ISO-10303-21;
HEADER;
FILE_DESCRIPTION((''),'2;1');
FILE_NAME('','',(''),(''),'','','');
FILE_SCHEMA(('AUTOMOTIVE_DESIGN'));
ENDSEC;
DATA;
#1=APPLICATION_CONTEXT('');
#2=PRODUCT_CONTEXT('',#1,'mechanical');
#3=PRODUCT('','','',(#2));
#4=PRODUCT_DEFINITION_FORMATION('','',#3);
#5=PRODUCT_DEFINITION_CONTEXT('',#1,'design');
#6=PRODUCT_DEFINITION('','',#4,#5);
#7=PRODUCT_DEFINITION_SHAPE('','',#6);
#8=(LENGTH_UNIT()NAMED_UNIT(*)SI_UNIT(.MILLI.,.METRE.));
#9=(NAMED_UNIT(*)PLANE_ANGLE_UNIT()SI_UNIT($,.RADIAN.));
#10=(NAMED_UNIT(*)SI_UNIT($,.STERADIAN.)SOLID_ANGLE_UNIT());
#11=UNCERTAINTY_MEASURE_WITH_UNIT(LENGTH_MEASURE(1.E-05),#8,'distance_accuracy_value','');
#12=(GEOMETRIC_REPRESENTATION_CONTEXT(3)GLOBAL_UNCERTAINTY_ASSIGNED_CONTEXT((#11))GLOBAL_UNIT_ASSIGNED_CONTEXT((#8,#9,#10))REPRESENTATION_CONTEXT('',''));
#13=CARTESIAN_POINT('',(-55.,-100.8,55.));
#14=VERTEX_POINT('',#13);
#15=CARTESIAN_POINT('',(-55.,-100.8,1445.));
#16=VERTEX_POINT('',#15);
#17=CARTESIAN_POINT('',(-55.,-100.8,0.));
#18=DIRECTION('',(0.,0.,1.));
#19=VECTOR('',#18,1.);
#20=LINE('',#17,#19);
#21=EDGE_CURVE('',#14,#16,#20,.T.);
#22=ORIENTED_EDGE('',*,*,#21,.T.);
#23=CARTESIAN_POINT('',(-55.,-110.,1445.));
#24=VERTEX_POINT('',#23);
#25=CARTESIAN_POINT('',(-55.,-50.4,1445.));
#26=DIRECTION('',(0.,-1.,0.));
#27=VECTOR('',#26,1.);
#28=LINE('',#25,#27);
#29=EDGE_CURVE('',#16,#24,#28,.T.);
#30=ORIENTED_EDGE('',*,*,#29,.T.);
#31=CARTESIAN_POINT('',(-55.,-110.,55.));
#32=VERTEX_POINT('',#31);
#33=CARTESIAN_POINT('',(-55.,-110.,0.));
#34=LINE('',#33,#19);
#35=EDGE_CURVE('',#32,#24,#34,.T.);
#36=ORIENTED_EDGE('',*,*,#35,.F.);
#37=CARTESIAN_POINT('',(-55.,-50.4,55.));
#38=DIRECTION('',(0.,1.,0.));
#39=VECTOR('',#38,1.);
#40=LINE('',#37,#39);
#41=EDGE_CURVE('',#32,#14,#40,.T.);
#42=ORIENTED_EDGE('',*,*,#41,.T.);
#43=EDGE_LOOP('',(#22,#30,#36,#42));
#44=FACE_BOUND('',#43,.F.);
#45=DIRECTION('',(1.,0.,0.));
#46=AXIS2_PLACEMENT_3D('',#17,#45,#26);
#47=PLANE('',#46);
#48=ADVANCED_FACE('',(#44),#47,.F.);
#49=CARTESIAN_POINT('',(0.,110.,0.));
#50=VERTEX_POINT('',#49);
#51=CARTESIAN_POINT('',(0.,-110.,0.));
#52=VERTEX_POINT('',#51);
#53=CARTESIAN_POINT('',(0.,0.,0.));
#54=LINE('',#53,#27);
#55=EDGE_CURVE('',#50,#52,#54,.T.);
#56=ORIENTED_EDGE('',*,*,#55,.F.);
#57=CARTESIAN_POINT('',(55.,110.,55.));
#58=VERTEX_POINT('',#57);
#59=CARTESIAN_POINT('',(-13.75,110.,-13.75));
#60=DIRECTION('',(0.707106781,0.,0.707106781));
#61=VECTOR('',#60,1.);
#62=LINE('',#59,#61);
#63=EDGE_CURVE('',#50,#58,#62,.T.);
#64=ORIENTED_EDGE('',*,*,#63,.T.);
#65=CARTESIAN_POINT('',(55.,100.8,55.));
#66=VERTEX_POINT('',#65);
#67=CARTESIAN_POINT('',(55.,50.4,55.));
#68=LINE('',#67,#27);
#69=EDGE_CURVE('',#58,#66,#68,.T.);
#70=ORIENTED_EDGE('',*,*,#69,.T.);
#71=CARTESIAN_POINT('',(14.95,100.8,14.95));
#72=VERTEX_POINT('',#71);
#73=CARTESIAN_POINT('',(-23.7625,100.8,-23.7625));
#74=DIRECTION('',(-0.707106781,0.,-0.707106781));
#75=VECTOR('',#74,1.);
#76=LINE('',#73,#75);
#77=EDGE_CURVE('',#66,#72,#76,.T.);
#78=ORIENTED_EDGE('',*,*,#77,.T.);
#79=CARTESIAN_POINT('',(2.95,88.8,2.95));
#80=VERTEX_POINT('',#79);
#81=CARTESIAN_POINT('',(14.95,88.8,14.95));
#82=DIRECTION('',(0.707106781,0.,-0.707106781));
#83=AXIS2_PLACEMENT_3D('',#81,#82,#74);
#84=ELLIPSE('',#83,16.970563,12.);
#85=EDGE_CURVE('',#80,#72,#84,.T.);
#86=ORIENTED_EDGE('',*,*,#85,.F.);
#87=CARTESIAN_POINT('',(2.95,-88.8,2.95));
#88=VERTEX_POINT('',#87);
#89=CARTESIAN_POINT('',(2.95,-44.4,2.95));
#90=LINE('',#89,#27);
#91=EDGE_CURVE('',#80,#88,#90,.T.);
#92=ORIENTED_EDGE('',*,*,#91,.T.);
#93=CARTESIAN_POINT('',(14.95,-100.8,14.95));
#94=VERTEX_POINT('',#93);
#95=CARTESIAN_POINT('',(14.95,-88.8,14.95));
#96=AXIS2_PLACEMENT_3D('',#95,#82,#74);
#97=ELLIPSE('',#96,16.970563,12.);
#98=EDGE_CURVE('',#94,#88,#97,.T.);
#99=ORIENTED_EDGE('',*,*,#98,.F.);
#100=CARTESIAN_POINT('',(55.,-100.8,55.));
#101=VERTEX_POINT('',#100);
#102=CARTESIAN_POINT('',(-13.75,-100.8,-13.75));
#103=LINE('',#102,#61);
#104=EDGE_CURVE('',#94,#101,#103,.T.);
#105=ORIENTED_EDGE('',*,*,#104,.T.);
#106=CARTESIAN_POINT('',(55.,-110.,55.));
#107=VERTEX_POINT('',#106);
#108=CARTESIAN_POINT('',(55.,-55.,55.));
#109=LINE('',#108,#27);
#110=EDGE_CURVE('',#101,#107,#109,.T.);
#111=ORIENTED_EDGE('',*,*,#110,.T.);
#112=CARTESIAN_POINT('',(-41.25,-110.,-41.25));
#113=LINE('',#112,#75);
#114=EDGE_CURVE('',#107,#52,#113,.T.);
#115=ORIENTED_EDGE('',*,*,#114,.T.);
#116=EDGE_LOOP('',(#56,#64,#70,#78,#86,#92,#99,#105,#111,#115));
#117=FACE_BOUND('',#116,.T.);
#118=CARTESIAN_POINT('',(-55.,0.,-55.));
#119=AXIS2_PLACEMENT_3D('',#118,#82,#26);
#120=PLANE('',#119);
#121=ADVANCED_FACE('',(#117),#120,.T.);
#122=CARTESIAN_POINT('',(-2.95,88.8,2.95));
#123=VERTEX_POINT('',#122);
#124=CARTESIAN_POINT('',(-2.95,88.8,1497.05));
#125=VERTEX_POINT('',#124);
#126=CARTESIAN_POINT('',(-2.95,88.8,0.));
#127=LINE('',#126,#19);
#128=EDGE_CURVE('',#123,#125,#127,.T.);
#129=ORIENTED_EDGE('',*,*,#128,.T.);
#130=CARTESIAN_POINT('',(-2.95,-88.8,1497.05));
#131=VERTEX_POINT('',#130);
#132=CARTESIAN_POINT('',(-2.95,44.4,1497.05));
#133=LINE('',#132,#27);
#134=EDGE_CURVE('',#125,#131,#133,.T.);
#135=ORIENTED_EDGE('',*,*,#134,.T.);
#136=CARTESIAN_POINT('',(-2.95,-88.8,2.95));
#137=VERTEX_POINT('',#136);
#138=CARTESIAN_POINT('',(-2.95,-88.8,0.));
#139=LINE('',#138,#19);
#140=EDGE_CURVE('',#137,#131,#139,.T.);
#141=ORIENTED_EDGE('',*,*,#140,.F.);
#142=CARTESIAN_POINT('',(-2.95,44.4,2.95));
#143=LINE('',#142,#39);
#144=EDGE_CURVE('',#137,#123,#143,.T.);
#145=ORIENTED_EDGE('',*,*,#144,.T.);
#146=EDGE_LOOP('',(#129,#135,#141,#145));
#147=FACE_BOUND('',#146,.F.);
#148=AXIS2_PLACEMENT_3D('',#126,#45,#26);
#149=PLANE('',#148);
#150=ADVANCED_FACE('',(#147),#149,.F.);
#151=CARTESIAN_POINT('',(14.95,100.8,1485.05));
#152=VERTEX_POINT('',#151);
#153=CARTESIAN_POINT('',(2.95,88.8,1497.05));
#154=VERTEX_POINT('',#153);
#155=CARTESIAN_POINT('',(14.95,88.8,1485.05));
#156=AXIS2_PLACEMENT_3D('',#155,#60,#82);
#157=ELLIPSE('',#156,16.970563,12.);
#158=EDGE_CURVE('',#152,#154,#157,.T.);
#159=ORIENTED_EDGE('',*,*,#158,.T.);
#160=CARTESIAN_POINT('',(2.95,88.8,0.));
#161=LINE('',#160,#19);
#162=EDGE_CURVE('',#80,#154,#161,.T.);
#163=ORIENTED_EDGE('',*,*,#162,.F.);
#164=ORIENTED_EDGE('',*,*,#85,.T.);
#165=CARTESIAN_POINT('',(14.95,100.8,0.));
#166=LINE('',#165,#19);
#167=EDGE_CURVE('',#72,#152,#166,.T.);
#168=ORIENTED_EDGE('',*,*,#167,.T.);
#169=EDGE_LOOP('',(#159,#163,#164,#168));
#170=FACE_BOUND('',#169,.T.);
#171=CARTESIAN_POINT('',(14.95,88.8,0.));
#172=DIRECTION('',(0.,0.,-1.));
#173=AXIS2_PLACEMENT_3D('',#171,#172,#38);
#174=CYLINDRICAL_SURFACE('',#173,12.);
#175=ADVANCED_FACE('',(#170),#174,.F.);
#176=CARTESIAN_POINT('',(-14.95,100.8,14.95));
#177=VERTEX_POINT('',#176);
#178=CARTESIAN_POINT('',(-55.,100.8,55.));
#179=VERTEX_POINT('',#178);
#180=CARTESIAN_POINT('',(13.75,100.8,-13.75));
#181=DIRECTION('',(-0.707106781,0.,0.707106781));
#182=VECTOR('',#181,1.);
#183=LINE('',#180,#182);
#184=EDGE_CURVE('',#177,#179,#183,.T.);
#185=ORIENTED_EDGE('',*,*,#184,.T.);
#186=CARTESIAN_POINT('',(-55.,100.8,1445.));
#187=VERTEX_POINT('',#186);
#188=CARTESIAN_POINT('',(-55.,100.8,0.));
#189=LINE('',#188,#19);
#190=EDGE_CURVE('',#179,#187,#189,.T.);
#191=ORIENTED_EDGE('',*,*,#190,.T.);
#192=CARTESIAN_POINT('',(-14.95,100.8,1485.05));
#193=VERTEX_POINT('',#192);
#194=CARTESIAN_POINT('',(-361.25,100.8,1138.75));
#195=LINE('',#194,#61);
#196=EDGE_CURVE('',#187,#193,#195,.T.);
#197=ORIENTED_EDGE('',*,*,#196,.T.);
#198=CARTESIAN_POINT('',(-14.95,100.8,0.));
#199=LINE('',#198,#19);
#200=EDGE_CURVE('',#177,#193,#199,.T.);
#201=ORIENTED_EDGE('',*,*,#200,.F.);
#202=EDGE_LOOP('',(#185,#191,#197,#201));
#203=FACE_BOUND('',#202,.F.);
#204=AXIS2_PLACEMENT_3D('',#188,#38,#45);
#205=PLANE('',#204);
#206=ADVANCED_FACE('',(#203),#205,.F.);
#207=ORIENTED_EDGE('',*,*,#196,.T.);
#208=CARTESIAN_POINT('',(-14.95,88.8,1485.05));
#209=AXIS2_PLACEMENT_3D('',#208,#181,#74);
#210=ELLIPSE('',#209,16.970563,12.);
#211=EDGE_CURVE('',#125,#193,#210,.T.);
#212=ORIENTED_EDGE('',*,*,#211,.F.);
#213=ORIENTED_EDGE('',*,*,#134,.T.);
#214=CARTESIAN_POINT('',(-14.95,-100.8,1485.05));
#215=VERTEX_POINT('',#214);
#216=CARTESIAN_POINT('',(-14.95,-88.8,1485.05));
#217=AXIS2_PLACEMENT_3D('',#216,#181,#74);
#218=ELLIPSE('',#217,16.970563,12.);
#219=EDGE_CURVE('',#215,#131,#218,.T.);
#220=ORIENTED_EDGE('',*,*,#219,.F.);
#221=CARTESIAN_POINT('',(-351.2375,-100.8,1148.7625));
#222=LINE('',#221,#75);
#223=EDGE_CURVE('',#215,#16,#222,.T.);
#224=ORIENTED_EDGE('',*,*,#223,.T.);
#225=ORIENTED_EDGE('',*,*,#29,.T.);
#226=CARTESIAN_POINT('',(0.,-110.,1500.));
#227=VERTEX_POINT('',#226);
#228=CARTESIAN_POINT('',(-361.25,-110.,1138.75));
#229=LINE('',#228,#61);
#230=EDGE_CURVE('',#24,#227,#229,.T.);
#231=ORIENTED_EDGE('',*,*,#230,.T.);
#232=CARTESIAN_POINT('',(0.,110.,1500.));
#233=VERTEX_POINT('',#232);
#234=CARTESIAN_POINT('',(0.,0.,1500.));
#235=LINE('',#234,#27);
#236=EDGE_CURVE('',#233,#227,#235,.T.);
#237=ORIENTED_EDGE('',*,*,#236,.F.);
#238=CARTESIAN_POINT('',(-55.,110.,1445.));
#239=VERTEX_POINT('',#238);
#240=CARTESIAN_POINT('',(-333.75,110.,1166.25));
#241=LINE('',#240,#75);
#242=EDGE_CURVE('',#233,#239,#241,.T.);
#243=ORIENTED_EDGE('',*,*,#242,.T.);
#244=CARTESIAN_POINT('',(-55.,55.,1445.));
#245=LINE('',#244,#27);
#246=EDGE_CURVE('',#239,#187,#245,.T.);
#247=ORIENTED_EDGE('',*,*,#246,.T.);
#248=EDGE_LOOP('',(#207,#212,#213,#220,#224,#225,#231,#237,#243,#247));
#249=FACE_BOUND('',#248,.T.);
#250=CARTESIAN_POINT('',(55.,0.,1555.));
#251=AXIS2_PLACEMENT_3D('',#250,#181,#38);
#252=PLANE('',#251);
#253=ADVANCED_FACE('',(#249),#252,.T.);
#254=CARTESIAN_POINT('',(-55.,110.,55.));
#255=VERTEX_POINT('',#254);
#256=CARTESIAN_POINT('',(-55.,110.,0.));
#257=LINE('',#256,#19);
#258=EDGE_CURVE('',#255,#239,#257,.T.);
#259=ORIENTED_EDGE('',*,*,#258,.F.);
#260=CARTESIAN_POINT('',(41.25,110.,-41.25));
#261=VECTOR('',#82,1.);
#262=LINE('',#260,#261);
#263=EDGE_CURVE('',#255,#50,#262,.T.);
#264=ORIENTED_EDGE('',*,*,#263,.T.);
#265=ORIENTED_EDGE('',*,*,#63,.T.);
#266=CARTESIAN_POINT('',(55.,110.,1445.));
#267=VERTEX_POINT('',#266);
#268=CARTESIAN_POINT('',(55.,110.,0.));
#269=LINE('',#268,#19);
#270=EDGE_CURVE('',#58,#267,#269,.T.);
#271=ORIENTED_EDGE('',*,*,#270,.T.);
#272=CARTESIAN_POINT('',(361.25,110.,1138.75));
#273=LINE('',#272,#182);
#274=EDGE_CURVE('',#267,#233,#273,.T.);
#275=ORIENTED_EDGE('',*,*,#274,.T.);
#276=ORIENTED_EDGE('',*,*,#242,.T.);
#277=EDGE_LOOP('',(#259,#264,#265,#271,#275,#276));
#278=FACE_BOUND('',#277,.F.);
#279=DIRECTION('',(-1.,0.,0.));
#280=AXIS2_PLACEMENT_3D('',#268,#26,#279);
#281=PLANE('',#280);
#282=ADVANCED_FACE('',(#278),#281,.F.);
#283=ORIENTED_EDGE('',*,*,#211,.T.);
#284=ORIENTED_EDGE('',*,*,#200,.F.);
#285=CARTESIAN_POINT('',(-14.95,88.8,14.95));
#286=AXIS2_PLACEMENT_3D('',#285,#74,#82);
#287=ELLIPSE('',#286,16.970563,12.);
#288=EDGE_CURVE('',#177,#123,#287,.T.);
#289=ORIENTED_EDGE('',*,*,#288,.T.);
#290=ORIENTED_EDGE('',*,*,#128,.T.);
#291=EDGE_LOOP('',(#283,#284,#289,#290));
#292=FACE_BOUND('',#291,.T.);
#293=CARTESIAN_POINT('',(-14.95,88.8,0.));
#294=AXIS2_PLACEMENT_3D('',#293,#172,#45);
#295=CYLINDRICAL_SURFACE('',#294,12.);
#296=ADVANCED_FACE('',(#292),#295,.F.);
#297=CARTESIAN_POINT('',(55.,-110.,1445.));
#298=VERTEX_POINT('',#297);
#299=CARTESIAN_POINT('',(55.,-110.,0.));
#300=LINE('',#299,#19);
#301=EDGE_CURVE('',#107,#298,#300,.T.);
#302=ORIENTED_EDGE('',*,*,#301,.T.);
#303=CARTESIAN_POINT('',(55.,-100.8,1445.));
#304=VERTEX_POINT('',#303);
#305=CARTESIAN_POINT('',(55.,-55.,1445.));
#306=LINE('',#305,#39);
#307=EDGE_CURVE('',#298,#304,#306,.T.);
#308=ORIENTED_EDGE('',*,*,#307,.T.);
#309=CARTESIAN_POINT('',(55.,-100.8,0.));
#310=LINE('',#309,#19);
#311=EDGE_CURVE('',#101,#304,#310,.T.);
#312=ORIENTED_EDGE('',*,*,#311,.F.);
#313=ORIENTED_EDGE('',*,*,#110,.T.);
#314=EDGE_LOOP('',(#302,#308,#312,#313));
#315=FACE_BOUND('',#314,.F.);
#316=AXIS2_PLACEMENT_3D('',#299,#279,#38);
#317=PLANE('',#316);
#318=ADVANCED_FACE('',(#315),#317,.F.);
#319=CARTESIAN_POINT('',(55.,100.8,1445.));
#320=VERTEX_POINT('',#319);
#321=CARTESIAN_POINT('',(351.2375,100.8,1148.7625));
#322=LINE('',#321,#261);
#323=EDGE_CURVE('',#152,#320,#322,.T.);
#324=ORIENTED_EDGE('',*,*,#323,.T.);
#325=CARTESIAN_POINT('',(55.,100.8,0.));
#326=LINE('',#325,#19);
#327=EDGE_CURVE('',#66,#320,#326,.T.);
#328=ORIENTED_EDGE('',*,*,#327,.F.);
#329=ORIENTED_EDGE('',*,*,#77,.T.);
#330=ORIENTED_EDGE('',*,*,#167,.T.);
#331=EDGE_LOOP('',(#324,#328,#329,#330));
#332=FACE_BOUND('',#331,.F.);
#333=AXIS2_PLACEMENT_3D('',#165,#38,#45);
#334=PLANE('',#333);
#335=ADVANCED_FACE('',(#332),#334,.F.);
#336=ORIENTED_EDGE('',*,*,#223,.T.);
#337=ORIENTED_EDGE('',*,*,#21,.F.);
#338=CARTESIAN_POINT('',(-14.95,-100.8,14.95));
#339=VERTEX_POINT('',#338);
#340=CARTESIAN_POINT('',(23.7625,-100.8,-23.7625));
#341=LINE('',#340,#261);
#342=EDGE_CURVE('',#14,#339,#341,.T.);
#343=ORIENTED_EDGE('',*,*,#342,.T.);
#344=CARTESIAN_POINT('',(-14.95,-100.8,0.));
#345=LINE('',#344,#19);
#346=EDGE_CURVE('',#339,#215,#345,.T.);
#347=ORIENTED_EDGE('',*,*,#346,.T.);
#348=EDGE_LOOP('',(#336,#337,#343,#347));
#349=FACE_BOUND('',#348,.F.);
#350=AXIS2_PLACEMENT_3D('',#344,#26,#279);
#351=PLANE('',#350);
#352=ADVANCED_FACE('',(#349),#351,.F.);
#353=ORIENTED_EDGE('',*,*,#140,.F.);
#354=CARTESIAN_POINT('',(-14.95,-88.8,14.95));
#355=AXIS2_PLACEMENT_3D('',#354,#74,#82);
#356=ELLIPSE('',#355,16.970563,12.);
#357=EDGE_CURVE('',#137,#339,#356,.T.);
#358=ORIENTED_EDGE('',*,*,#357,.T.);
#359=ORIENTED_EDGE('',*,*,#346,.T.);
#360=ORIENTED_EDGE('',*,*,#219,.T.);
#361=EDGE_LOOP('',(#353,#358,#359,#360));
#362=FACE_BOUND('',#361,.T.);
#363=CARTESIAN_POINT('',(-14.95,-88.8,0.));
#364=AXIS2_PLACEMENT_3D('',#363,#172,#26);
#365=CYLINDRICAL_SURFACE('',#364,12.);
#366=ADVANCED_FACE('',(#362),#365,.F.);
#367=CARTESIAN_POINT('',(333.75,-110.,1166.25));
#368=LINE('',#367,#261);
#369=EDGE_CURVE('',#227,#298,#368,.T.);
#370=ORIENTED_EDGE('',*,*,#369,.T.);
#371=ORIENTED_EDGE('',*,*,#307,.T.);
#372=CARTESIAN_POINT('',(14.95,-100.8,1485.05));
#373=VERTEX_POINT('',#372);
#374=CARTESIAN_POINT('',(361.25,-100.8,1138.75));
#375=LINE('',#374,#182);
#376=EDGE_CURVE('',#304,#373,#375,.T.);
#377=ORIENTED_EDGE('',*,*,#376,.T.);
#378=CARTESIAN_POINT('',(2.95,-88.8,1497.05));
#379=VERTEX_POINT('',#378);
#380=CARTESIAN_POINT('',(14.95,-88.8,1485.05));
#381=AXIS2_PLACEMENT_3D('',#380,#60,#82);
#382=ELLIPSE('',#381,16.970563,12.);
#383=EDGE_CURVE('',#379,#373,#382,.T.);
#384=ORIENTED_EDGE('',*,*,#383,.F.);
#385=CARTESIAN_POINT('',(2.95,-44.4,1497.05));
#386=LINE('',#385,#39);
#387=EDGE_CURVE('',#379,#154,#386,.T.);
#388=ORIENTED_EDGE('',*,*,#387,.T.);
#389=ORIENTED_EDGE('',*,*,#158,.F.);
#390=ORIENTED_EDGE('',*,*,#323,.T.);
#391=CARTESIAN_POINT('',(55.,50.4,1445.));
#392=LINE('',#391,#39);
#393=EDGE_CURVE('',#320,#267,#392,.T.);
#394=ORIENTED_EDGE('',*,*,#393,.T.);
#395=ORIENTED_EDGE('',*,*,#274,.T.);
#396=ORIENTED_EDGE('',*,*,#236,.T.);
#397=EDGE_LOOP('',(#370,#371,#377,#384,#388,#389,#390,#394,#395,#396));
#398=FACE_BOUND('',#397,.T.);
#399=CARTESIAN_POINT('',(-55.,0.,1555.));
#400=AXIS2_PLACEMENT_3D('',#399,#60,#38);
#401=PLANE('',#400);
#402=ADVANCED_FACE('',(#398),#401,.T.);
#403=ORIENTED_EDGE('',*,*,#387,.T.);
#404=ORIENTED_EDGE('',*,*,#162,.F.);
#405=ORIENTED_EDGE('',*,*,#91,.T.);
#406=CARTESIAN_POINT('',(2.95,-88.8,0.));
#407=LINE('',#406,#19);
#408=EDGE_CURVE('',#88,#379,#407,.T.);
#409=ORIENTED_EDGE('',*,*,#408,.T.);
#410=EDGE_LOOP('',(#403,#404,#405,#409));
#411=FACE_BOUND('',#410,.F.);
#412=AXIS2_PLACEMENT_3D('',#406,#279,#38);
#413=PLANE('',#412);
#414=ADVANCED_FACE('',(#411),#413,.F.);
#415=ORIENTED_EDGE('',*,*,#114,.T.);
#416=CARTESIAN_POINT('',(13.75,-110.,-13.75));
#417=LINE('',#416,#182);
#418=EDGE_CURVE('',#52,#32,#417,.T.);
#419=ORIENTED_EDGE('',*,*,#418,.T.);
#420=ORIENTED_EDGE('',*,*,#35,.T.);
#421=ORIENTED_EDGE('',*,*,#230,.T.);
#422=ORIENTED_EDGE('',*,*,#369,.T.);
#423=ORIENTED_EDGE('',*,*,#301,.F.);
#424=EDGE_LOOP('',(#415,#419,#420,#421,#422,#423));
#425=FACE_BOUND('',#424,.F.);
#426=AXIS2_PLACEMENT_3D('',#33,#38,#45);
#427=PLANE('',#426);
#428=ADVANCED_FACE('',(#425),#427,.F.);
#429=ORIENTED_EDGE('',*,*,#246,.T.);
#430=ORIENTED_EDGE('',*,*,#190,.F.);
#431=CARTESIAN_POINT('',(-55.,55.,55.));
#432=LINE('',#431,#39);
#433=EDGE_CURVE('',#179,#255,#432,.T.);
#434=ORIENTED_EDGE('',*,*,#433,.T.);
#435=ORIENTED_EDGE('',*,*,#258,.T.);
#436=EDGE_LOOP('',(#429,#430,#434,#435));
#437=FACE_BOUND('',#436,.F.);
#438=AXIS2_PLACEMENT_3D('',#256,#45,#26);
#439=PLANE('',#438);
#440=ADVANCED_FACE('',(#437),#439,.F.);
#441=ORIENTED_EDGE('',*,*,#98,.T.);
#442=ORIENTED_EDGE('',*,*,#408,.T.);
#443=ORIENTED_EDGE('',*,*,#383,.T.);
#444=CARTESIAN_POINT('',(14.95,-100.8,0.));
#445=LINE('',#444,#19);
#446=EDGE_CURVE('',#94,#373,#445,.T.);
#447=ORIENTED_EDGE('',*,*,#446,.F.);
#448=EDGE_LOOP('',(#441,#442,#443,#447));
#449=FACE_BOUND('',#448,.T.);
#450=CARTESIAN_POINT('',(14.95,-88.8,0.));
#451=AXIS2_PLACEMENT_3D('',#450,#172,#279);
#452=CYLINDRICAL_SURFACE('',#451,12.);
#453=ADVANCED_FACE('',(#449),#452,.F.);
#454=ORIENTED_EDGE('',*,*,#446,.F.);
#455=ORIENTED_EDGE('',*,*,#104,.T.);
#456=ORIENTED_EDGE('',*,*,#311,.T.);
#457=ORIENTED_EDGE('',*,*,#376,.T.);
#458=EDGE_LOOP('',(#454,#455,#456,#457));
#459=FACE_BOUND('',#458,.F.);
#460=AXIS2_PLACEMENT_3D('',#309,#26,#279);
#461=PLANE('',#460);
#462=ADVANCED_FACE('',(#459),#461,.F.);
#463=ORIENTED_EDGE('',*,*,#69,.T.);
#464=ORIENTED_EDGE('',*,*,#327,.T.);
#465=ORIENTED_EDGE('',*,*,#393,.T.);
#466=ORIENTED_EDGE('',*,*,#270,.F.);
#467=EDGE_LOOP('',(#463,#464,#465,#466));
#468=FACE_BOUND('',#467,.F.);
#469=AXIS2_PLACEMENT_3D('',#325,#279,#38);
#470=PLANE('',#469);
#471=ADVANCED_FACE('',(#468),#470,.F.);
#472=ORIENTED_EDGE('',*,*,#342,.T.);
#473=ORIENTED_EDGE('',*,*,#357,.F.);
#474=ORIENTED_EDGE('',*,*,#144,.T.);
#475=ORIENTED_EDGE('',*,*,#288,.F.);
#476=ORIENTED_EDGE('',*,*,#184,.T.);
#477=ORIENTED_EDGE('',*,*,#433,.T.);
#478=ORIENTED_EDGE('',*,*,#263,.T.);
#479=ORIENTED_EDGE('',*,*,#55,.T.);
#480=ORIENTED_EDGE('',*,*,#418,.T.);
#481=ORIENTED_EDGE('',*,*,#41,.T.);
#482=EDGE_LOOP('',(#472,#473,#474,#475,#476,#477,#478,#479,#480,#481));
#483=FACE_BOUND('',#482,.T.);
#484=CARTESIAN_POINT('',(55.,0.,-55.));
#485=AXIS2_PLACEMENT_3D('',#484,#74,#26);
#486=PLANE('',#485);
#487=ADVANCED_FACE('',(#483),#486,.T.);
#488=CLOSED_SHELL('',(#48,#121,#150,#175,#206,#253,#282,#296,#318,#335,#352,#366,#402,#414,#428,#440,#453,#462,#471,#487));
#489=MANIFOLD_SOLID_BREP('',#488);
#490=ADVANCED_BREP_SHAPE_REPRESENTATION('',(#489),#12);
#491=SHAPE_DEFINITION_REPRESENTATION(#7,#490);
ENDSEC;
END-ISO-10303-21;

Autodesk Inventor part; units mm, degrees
ref_plane "Start plane" through (0, 0, 0) normal (0, 0, 1) x (1, 0, 0)
ref_plane "End plane" through (0, 0, 1500) normal (0, 0, 1) x (1, 0, 0)
sketch "Sketch2" plane through (0, 0, 0) normal (0, 0, 1) x (1, 0, 0)
  line L0 (-55, 100.8) -> (-14.95, 100.8)
  line L1 (-55, 110) -> (-55, 100.8)
  line L2 (55, 110) -> (-55, 110)
  line L3 (55, 100.8) -> (55, 110)
  line L4 (14.95, 100.8) -> (55, 100.8)
  line L5 (2.95, -88.8) -> (2.95, 88.8)
  line L6 (55, -100.8) -> (14.95, -100.8)
  line L7 (55, -110) -> (55, -100.8)
  line L8 (-55, -100.8) -> (-55, -110)
  line L9 (-14.95, -100.8) -> (-55, -100.8)
  line L10 (-2.95, 88.8) -> (-2.95, -88.8)
  line L11 (0, -154) -> (0, 154) construction
  line L12 (-2.95, -100.8) -> (2.95, -100.8) construction
  arc A0 (-14.95, -100.8) -> (-2.95, -88.8) centre (-14.95, -88.8) ccw
  arc A1 (-2.95, 88.8) -> (-14.95, 100.8) centre (-14.95, 88.8) ccw
  arc A2 (14.95, 100.8) -> (2.95, 88.8) centre (14.95, 88.8) ccw
  arc A3 (2.95, -88.8) -> (14.95, -100.8) centre (14.95, -88.8) ccw
  line L13 (-77, 0) -> (77, 0) construction
  line L14 (-55, -110) -> (55, -110)
  point P0 (-2.95, 100.8)
  point P1 (2.95, 100.8)
  point P2 (0, 0)
  point P3 (0, -100.8)
  point P4 (0, 0)
  dimension "d1" = 220
  dimension "d3" = 9.2
  dimension "d5" = 5.9
  dimension "d7" = 110
  dimension "d13" = 12
  dimension "d14" = 110
  dimension "d15" = 55
extrude "Body" add sketch "Sketch2" along normal up to surface (1500 mm away) from surface at 0
sketch "Sketch3" plane through (0, 0, 0) normal (0, 0, 1) x (1, 0, 0)
  line L0 (0, 0) -> (10, 0)
ref_plane "Work Plane3" through (0, 0, 0) normal (0, -1, 0) x (1, 0, 0)
ref_plane "Work Plane4" through (55, 0, -55) normal (-0.7071, 0, -0.7071) x (-0.7071, 0, 0.7071)
split "Split1" plane through (55, 0, -55) removes the side toward (-0.7071, 0, -0.7071)
ref_plane "Work Plane5" through (55, 0, 1555) normal (-0.7071, 0, 0.7071) x (0.7071, 0, 0.7071)
split "Split2" plane through (55, 0, 1555) removes the side toward (-0.7071, 0, 0.7071)
ref_plane "Work Plane6" through (-55, 0, -55) normal (0.7071, 0, -0.7071) x (-0.7071, 0, -0.7071)
split "Split3" plane through (-55, 0, -55) removes the side toward (0.7071, 0, -0.7071)
ref_plane "Work Plane7" through (-55, 0, 1555) normal (0.7071, 0, 0.7071) x (0.7071, 0, -0.7071)
split "Split4" plane through (-55, 0, 1555) removes the side toward (0.7071, 0, 0.7071)
sketch "Sketch4" plane through (0, 0, 0) normal (0, -1, 0) x (1, 0, 0)
  line L0 (-2, 0) -> (12, 0) projected
  line L1 (-2, 1500) -> (12, 1500) projected
  dimension "d19" = 1500
equation "\"d1\" = ParH"
equation "\"d3\" = t2"
equation "\"d5\" = t1"
equation "\"d7\" = b"
equation "\"d13\" = R1"
equation "\"d14\" = 0.5 * d1"
equation "\"d15\" = 0.5 * d7"
equation "\"d8\" = G_L"
equation "\"b\" = 110"
equation "\"ParH\" = 220"
equation "\"R1\" = 12"
equation "\"G_L\" = d19"
equation "\"t1\" = 5.9"
equation "\"t2\" = 9.2"
equation "\"G_OFFSET_START\" = 0"
equation "\"G_OFFSET_END\" = 0"
properties part number "DIN 1025 - IPE 220-1500" material "Steel, Mild"
